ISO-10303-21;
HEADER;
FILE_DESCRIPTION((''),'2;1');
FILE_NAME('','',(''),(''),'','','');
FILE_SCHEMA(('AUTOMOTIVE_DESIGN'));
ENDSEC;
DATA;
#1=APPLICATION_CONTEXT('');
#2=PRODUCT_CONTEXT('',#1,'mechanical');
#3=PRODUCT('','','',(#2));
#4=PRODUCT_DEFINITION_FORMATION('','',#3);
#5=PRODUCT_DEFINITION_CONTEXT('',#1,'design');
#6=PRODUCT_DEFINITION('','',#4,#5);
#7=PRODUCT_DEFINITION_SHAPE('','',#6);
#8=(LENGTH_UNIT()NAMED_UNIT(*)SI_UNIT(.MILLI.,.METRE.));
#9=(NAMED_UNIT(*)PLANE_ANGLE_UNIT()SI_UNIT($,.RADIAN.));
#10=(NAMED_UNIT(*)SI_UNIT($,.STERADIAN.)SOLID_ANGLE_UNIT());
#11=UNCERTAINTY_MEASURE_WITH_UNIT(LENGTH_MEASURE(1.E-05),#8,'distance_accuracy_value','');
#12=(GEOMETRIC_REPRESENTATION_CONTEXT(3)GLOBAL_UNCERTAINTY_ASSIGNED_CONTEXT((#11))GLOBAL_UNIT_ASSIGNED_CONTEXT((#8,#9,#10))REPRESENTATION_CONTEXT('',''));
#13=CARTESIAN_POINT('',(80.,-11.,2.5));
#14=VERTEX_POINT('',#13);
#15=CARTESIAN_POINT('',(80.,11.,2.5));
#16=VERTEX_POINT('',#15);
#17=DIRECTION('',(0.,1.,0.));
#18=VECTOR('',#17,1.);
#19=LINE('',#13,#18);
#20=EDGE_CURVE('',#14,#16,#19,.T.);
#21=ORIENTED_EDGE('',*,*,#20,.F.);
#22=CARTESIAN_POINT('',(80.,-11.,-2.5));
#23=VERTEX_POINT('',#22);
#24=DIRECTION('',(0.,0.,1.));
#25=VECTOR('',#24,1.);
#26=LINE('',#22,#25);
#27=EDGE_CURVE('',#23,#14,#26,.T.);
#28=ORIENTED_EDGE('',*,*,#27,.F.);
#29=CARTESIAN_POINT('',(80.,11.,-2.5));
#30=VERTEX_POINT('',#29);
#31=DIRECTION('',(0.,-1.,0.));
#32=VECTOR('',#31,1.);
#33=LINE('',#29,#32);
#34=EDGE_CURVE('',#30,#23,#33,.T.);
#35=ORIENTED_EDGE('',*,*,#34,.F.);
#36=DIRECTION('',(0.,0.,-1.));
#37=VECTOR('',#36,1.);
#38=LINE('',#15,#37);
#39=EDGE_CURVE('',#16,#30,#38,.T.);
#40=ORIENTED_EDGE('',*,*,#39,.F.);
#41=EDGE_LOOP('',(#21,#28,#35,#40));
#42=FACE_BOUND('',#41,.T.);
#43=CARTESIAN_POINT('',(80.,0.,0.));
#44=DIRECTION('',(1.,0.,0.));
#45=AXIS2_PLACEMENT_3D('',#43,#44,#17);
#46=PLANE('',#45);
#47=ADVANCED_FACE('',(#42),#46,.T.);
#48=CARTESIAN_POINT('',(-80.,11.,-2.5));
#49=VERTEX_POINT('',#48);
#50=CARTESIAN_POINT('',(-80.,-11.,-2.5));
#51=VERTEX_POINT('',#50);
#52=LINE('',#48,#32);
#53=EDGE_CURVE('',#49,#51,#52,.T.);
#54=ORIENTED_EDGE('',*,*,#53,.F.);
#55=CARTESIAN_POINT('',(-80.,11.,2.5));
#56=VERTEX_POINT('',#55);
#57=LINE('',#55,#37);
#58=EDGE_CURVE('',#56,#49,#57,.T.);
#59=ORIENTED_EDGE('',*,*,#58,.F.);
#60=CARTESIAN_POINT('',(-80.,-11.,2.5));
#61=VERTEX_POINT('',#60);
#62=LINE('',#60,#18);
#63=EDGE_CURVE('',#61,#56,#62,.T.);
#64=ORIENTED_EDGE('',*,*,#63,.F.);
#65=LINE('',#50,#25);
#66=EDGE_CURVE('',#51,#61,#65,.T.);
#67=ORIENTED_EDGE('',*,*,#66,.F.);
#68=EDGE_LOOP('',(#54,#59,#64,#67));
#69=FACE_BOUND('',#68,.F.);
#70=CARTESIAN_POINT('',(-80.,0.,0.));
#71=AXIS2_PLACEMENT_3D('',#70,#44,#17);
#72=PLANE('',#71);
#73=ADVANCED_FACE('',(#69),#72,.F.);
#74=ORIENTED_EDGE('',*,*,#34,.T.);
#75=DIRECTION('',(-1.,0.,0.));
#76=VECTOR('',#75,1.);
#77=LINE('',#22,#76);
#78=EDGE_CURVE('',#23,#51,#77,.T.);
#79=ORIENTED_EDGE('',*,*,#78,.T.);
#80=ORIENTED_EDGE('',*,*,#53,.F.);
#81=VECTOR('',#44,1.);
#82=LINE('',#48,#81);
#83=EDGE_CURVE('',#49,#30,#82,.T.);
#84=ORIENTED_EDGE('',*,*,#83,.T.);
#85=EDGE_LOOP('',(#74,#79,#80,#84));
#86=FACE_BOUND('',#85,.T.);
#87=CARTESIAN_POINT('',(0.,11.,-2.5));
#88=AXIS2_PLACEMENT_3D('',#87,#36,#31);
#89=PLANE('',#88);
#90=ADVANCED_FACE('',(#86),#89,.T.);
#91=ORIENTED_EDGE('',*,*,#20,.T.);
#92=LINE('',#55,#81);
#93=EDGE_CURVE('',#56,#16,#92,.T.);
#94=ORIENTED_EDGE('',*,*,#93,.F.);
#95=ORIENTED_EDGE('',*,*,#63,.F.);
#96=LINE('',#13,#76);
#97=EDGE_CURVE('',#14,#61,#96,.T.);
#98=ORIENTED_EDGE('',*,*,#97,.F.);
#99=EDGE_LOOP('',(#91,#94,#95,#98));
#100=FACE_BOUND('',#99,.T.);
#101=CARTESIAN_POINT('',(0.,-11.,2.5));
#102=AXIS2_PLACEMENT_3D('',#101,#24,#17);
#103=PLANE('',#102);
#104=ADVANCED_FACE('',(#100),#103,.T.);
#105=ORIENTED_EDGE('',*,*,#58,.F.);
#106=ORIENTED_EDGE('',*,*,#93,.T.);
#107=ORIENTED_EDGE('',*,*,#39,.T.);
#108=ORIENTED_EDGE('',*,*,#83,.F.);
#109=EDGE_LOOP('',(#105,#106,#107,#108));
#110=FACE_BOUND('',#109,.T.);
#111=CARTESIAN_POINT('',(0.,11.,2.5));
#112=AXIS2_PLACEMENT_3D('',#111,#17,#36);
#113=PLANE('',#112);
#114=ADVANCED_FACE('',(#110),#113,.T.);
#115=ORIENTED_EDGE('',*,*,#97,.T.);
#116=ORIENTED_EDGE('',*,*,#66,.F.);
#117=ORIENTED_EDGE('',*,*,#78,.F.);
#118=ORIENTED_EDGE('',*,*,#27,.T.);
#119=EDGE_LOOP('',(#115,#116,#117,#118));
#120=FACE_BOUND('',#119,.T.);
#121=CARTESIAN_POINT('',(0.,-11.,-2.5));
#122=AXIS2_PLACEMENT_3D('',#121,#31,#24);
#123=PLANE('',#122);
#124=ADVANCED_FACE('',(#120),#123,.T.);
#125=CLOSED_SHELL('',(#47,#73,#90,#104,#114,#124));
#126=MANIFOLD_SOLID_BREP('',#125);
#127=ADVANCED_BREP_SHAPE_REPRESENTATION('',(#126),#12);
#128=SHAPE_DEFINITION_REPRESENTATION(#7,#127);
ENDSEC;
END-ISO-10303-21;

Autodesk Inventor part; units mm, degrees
ref_plane "YZ Plane" through (0, 0, 0) normal (1, 0, 0) x (0, 1, 0)
ref_plane "XZ Plane" through (0, 0, 0) normal (0, 1, 0) x (-1, 0, 0)
ref_plane "XY Plane" through (0, 0, 0) normal (0, 0, 1) x (1, 0, 0)
sketch "Sketch1" plane through (0, 0, 0) normal (1, 0, 0) x (0, 1, 0)
  line L0 (11, -2.5) -> (-11, -2.5)
  line L1 (-11, -2.5) -> (-11, 2.5)
  line L2 (-11, 2.5) -> (11, 2.5)
  line L3 (11, 2.5) -> (11, -2.5)
  line L4 (11, -2.5) -> (-11, 2.5) construction
  line L5 (-11, -2.5) -> (11, 2.5) construction
  point P0 (0, 0)
  dimension "d0" = 5
  dimension "d1" = 22
extrude "Extrusion1" add sketch "Sketch1" along normal mid plane 160
sketch "Sketch2" plane through (0, 0, 0) normal (0, 0, 1) x (1, 0, 0)
  line L0 (80, 11) -> (-80, 11) projected
  line L1 (0, 11) -> (98, 11)
  line L2 (98, 11) -> (110, -1)
  line L3 (110, -1) -> (110, -11)
  line L4 (110, -11) -> (0, -11)
  line L5 (-80, -11) -> (80, -11) projected
  line L6 (0, 11) -> (0, -11) construction
  line L7 (-80, 11) -> (80, 11) construction
  line L8 (-80, -11) -> (-80, 11) construction
  line L9 (-80, -11) -> (80, -11) construction
  line L10 (80, 11) -> (80, -11) construction
  line L11 (-80, 11) -> (80, 11) construction
  line L12 (-80, -11) -> (-80, 11) construction
  line L13 (-80, -11) -> (80, -11) construction
  line L14 (0, 11) -> (-98, 11)
  line L15 (-98, 11) -> (-110, -1)
  line L16 (-110, -1) -> (-110, -11)
  line L17 (-110, -11) -> (0, -11)
  point P0 (-80, 11)
  dimension "d8" = 45
  dimension "d9" = 110
  dimension "d10" = 10
